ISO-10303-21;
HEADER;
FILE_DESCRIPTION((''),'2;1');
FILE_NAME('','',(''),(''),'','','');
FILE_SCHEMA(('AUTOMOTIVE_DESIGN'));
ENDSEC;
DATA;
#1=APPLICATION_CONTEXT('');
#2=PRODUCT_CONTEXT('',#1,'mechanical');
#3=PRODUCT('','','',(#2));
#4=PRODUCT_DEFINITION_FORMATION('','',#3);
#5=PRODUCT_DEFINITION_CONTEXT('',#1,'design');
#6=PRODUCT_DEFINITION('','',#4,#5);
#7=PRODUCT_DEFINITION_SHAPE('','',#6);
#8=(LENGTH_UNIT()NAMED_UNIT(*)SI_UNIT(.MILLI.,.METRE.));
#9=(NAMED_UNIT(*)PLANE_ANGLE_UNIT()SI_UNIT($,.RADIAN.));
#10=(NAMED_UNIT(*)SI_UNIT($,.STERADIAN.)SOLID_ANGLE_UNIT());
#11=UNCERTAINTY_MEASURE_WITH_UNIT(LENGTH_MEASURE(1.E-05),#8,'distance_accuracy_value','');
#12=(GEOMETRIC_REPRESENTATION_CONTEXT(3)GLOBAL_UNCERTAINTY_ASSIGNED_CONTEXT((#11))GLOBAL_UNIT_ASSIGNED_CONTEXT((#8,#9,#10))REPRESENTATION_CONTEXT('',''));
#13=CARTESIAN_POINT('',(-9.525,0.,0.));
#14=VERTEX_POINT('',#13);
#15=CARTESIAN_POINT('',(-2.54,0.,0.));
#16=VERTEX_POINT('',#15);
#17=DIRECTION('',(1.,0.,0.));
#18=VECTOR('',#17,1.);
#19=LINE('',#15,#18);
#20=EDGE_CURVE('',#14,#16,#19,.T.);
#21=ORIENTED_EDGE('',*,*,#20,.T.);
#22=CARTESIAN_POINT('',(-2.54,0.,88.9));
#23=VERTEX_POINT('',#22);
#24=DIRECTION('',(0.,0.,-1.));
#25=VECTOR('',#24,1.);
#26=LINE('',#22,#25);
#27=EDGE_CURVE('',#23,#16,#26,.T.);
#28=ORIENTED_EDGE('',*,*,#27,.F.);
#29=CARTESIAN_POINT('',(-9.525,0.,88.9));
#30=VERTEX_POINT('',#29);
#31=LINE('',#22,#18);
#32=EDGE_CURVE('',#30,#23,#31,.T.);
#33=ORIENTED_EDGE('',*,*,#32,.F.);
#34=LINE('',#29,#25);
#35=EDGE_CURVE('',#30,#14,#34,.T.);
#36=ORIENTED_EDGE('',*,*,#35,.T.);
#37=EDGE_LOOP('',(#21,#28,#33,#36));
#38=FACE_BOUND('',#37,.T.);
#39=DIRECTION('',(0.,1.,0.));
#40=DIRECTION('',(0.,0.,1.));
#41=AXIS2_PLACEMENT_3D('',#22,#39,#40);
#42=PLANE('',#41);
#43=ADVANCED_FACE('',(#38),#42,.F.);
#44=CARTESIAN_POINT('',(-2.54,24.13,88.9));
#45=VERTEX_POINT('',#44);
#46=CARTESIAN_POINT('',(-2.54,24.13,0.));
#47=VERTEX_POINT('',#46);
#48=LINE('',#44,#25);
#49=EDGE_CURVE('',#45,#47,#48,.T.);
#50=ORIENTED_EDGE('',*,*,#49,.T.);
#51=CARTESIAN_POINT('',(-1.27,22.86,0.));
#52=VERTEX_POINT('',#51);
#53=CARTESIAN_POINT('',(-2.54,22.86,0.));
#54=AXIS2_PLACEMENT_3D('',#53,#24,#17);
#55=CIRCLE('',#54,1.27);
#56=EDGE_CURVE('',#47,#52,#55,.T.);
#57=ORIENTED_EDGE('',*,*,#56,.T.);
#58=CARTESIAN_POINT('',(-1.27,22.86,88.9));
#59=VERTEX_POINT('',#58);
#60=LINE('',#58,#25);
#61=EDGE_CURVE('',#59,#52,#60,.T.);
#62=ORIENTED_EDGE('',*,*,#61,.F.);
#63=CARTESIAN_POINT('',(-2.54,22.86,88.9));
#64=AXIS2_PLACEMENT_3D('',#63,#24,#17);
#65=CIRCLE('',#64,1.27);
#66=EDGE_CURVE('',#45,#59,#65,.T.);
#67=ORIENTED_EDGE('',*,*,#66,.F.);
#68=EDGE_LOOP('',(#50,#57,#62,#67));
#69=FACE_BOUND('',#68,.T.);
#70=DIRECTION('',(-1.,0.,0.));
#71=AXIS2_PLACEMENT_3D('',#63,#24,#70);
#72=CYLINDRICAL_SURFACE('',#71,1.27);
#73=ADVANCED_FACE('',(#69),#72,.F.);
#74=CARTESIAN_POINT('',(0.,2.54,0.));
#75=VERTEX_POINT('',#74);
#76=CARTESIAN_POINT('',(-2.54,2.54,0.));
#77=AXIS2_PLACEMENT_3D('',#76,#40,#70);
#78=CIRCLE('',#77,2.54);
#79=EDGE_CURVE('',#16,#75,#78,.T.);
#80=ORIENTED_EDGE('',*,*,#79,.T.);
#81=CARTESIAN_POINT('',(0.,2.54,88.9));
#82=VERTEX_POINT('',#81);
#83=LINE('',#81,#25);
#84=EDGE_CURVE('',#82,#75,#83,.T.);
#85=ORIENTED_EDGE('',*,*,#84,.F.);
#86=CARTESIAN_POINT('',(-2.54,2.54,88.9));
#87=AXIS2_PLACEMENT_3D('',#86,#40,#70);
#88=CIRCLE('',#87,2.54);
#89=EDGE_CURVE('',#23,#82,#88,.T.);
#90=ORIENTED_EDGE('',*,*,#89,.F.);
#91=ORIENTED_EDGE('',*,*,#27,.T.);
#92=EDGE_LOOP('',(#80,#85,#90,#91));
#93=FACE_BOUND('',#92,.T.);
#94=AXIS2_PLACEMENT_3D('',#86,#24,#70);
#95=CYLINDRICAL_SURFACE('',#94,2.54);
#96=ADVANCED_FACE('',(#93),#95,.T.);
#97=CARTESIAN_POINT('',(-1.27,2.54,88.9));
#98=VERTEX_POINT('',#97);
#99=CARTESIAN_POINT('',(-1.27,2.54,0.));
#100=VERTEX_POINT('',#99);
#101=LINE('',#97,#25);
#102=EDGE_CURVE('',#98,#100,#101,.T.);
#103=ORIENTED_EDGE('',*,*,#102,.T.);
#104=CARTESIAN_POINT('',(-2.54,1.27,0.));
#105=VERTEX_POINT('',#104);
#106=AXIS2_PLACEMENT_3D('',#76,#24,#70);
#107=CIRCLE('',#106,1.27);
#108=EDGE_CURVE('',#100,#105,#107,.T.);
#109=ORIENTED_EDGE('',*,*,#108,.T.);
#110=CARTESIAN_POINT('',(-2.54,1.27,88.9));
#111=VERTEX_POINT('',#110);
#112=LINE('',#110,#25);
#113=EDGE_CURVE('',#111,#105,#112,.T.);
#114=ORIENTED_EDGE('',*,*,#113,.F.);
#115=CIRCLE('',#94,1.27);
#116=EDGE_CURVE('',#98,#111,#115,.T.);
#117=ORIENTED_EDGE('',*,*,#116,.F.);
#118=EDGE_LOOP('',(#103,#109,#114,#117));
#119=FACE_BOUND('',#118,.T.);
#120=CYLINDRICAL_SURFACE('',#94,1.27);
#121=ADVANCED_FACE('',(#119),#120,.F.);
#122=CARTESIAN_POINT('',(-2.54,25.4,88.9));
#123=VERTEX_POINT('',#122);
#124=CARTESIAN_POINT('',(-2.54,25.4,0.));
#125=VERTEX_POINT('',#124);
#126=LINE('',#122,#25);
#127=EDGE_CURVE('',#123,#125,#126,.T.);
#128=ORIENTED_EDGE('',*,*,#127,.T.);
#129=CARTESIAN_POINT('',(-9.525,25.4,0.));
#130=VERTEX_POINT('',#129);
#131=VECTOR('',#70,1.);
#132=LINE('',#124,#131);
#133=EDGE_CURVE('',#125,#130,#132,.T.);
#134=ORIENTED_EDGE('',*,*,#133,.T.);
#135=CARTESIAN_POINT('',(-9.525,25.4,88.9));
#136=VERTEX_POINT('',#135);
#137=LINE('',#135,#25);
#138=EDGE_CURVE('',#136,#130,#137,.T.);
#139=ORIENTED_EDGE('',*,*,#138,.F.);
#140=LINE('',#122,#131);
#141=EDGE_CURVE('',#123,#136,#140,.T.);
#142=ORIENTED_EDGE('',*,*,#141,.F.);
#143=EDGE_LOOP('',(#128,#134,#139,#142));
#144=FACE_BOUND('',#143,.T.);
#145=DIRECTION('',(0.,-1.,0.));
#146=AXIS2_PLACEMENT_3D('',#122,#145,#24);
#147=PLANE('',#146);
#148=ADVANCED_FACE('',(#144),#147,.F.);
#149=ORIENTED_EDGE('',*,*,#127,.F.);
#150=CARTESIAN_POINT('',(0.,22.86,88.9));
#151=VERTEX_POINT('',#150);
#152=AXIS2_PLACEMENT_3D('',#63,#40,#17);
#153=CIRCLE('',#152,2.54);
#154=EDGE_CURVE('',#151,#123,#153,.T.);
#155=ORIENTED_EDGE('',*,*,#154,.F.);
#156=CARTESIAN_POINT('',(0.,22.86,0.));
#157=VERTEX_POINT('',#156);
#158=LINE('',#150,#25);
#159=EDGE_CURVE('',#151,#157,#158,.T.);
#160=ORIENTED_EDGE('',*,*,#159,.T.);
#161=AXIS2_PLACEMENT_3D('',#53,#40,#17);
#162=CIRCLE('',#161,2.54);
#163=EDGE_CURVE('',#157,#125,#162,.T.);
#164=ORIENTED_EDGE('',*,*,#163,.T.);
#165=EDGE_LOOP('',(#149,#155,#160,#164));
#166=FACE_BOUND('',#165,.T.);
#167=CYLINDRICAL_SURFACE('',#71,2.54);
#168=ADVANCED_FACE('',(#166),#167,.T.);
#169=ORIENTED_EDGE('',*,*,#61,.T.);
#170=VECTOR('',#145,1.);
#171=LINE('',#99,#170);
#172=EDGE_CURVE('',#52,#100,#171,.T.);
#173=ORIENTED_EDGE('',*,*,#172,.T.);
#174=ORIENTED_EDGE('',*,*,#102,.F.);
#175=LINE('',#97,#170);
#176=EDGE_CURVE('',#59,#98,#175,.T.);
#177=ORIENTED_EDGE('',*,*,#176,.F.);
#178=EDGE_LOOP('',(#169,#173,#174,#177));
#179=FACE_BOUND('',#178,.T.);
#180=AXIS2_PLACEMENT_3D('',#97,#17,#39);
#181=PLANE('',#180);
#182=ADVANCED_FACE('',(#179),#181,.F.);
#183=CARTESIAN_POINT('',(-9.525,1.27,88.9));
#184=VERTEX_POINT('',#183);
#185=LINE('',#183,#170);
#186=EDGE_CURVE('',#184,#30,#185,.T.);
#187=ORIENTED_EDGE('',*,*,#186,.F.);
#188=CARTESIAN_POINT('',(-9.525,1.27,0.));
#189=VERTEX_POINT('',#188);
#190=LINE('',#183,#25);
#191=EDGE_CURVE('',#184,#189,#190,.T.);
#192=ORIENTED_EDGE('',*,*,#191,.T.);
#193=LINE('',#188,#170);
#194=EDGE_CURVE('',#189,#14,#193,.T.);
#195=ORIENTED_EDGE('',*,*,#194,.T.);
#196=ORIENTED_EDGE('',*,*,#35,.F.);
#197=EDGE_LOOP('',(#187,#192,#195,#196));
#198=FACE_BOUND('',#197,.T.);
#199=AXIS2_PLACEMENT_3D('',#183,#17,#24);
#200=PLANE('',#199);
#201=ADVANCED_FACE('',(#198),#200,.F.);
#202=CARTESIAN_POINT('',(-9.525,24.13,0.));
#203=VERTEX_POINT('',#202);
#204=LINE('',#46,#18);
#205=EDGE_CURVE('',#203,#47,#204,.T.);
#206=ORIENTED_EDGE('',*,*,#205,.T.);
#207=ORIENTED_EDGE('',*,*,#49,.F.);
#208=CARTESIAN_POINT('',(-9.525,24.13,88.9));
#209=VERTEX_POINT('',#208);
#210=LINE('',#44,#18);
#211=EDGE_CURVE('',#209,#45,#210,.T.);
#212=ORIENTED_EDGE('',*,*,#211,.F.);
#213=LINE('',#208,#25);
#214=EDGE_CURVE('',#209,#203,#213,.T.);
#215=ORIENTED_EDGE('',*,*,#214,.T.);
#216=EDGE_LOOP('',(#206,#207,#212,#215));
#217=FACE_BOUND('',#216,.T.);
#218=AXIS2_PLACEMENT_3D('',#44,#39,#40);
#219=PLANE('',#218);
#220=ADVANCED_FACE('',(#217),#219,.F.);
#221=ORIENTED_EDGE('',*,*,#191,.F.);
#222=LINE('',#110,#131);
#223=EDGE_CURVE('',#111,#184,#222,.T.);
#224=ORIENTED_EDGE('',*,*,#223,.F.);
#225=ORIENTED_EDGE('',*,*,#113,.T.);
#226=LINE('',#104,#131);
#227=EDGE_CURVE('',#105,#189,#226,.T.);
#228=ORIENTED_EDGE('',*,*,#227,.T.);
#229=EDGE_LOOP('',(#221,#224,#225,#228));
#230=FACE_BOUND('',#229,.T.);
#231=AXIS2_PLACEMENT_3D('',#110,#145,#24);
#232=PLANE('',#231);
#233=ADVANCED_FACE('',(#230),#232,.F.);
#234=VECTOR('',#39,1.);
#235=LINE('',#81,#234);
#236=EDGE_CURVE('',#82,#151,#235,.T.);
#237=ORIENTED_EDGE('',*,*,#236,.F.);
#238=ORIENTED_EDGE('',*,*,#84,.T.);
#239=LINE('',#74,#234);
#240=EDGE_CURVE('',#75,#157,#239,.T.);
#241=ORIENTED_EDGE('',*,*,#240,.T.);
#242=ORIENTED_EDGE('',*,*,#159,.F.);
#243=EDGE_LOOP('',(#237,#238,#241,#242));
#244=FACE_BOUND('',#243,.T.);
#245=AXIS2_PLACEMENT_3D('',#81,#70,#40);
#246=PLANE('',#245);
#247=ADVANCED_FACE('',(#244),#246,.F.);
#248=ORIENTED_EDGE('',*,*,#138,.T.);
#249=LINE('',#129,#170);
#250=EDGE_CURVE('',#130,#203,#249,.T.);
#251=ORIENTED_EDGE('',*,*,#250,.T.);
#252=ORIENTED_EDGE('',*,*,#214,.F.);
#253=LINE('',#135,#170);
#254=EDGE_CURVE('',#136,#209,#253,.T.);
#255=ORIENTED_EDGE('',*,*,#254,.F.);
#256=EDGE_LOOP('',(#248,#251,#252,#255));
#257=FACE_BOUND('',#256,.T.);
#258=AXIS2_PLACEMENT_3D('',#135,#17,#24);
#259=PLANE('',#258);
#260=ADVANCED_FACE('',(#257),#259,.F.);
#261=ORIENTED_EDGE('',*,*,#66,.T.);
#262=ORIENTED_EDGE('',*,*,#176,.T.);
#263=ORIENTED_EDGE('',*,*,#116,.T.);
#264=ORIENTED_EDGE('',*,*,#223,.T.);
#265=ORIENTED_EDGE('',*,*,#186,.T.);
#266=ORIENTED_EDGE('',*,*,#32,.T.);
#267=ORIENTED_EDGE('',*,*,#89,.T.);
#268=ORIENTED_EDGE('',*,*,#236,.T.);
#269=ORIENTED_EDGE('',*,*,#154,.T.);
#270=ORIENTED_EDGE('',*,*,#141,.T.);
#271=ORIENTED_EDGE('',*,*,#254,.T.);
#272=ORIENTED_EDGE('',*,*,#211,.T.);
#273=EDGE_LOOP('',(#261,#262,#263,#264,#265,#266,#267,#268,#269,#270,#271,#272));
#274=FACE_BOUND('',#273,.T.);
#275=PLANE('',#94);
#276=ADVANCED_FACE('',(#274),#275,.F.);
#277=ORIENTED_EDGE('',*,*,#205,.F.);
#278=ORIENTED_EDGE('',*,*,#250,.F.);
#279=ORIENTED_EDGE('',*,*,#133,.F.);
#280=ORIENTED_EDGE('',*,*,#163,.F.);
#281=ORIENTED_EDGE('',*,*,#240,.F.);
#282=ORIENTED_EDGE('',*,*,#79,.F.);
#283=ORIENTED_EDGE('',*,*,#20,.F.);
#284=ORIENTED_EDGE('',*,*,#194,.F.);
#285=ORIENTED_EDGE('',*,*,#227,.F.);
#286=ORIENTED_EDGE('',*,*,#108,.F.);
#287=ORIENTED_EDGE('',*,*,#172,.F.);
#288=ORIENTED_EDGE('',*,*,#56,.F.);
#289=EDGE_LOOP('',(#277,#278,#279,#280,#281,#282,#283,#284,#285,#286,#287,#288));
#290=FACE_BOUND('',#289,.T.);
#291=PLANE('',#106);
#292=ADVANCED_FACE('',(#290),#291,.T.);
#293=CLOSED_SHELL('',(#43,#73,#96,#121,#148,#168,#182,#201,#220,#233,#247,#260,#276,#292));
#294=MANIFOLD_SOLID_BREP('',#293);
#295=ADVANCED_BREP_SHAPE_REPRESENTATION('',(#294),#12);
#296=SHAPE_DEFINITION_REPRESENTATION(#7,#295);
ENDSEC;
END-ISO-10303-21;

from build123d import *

# Parameters (mm, degrees)
BOSS_EXTRUDE1_DEPTH = 88.9


with BuildPart() as part:
    # Sketch1 → Boss-Extrude1 (new body)
    with BuildSketch(Plane.XY):
        with BuildLine():
            Line((0, 2.54), (0, 22.86))
            ThreePointArc((0, 22.86), (-0.743948776, 24.656051224), (-2.54, 25.4))
            Line((-2.54, 25.4), (-9.525, 25.4))
            Line((-9.525, 25.4), (-9.525, 24.13))
            Line((-9.525, 24.13), (-2.54, 24.13))
            ThreePointArc((-2.54, 24.13), (-1.641974388, 23.758025612), (-1.27, 22.86))
            Line((-1.27, 22.86), (-1.27, 2.54))
            ThreePointArc((-1.27, 2.54), (-1.641974388, 1.641974388), (-2.54, 1.27))
            Line((-2.54, 1.27), (-9.525, 1.27))
            Line((-9.525, 1.27), (-9.525, 0))
            Line((-9.525, 0), (-2.54, 0))
            ThreePointArc((-2.54, 0), (-0.743948776, 0.743948776), (0, 2.54))
        make_face()
    extrude(amount=BOSS_EXTRUDE1_DEPTH)


solid = part.part
